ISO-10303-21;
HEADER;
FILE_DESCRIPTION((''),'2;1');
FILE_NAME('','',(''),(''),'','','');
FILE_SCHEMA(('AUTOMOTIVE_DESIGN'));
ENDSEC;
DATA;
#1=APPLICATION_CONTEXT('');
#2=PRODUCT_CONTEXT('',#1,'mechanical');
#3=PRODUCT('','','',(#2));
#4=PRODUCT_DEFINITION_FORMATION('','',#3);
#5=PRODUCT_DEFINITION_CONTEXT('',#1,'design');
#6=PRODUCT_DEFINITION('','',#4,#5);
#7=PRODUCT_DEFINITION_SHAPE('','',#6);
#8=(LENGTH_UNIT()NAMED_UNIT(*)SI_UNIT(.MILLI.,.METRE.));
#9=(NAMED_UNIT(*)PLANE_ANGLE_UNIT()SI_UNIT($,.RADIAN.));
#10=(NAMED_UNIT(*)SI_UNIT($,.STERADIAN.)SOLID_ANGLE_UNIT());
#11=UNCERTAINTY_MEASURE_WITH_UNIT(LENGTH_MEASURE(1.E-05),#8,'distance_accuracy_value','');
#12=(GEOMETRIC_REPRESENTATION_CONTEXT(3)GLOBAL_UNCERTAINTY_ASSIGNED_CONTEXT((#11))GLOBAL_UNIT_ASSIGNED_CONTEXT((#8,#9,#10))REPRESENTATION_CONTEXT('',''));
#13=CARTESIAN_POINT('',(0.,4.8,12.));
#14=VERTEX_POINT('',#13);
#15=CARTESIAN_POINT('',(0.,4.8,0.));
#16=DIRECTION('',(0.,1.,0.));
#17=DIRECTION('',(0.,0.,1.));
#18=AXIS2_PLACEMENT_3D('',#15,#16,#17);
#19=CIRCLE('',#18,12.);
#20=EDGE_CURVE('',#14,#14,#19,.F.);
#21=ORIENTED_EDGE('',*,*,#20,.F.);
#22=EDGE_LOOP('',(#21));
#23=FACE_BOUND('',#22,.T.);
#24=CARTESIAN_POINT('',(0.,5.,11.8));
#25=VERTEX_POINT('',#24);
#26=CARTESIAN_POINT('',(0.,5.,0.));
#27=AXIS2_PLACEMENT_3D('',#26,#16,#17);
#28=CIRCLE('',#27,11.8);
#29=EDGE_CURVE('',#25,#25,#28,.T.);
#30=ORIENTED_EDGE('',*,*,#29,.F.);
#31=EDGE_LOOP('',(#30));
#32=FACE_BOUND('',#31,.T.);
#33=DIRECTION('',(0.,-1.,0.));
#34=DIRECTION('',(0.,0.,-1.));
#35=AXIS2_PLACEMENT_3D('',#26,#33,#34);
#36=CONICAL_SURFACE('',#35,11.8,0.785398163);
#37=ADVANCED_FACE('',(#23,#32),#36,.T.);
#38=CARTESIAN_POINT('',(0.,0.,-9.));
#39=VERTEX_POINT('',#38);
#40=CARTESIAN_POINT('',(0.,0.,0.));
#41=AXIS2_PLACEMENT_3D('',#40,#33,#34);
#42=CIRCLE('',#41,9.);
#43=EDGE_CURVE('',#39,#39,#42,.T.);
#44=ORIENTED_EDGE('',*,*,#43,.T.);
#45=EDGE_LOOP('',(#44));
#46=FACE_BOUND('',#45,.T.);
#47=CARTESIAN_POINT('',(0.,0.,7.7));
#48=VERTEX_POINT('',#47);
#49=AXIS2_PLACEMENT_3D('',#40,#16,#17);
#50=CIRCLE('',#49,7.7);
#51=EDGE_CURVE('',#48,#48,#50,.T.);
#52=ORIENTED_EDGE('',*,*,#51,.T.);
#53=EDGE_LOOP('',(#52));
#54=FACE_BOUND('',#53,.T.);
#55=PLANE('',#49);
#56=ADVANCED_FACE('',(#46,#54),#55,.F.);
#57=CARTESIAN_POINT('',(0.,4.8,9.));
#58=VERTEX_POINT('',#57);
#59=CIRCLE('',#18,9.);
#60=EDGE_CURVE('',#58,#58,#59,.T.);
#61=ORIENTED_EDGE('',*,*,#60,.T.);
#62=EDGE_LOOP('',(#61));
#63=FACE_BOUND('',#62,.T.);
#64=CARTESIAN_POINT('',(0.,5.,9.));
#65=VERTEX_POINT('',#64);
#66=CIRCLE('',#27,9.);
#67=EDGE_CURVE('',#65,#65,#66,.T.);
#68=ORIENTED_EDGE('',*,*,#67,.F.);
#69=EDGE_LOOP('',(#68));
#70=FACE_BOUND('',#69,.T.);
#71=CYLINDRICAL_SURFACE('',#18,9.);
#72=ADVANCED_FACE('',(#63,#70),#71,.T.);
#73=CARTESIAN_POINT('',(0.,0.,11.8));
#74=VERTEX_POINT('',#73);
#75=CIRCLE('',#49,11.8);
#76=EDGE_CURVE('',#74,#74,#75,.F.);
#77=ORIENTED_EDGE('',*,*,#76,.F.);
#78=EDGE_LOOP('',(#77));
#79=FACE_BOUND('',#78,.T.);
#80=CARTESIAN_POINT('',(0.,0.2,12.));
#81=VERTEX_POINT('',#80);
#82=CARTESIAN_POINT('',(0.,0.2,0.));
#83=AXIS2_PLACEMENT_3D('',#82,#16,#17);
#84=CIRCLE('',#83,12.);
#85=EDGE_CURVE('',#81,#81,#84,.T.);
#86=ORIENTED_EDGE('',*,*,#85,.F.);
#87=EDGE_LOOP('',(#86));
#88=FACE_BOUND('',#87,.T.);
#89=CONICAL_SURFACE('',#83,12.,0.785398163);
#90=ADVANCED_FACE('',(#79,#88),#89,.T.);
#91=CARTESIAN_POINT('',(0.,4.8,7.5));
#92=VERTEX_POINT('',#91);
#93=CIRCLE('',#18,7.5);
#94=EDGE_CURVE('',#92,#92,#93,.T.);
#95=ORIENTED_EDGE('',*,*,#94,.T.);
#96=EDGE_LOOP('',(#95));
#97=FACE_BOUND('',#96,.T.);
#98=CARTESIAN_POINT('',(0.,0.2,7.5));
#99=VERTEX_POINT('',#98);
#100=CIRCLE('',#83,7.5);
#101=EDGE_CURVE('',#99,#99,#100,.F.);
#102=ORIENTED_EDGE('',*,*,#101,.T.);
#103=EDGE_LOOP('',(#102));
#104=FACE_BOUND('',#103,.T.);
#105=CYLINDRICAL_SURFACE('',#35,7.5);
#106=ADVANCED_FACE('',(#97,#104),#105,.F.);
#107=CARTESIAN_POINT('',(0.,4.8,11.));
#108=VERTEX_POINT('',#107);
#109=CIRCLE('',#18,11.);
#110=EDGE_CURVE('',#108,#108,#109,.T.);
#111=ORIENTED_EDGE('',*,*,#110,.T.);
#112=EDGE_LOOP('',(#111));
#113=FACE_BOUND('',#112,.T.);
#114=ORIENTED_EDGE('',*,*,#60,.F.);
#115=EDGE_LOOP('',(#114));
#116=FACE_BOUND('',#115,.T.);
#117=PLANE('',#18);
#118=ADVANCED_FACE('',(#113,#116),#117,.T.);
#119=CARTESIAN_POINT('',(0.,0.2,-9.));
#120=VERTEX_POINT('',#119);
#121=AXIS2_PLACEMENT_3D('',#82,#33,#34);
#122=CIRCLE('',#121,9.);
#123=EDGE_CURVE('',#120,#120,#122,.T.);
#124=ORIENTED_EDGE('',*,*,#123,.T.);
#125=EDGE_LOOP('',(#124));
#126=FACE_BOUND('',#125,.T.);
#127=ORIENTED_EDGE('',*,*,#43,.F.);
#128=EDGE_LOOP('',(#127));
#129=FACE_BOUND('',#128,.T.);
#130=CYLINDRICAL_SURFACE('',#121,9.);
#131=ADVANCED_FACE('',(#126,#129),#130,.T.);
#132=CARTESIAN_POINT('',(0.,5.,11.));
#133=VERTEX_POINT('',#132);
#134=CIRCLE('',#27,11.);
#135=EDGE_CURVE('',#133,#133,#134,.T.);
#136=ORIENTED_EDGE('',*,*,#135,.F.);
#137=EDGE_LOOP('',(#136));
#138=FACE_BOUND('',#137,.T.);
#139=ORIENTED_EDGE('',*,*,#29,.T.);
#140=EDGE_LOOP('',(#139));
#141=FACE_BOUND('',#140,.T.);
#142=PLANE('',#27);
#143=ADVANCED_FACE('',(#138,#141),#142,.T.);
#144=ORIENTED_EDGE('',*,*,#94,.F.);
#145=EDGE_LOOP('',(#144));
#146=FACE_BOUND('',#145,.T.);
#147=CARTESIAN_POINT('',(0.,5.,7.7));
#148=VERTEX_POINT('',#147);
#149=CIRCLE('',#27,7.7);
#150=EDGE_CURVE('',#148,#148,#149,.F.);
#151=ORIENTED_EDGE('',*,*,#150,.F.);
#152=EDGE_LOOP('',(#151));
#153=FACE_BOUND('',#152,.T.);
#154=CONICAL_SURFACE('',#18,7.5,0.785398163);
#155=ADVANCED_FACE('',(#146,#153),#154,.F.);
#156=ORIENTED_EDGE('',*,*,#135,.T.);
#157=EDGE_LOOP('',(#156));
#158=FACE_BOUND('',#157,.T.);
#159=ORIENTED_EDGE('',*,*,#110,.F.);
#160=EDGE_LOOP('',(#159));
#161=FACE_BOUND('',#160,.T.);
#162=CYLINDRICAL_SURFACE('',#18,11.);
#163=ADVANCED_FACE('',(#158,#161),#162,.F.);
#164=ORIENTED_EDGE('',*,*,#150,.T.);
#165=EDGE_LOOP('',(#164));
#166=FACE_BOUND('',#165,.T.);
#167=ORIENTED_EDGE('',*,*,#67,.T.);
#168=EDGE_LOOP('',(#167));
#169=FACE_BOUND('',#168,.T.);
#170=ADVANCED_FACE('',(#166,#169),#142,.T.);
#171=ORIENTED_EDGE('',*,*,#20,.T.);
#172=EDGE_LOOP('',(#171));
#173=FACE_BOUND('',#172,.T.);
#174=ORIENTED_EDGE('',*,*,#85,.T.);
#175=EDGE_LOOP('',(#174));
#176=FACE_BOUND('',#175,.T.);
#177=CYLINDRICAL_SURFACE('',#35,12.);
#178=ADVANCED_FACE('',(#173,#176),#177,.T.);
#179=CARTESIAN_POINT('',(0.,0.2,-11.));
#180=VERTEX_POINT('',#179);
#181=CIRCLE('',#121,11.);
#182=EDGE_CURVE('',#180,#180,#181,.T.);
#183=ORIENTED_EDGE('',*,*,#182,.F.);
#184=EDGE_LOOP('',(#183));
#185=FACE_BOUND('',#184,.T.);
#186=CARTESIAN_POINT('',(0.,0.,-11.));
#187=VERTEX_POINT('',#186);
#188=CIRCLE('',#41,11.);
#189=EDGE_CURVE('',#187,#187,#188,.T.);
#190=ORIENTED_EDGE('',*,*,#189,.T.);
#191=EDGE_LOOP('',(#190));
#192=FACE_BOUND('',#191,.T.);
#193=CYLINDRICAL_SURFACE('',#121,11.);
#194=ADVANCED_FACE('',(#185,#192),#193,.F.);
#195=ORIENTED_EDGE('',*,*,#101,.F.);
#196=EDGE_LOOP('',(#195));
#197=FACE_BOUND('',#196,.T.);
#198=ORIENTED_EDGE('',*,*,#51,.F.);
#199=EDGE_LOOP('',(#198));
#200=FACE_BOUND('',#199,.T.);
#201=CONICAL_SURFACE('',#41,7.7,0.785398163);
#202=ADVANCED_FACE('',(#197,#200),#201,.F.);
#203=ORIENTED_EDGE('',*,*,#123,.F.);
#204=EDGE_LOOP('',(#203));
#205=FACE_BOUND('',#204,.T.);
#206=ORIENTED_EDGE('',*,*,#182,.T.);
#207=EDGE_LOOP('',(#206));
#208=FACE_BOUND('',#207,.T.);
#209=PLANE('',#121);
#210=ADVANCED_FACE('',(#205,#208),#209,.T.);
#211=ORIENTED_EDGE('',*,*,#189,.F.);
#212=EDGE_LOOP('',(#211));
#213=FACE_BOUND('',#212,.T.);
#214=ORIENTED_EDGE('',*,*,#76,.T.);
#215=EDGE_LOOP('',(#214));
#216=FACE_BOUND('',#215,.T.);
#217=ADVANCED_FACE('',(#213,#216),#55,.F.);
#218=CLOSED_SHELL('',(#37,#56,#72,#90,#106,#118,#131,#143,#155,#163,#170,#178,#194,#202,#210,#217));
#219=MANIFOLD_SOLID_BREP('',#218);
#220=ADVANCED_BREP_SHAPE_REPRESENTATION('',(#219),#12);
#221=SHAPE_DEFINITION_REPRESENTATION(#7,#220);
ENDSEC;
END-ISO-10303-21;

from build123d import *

# Parameters (mm, degrees)
SKETCH1_R           = 12
SKETCH1_R_2         = 7.5
BOSS_EXTRUDE1_DEPTH = 5
SKETCH2_R           = 11
SKETCH2_R_2         = 9
CUT_EXTRUDE1_DEPTH  = 0.2
CUT_EXTRUDE2_START  = -0.2
SKETCH3_R           = 11
SKETCH3_R_2         = 9
CUT_EXTRUDE2_DEPTH  = 0.2
CHAMFER1_SIZE       = 0.2


with BuildPart() as part:
    # Sketch1 → Boss-Extrude1 (new body)
    with BuildSketch(Plane(origin=(0, 0, 0), x_dir=(1, 0, 0), z_dir=(0, 1, 0))):
        with Locations(Location((0, 0, 0), (0, 0, 270))):
            Circle(SKETCH1_R)
        with Locations(Location((0, 0, 0), (0, 0, 270))):
            Circle(SKETCH1_R_2, mode=Mode.SUBTRACT)
    extrude(amount=BOSS_EXTRUDE1_DEPTH)

    # Sketch2 → Cut-Extrude1 (cut)
    with BuildSketch(Plane(origin=(0, 5, 0), x_dir=(1, 0, 0), z_dir=(0, 1, 0))):
        with Locations(Location((0, 0, 0), (0, 0, 270))):
            Circle(SKETCH2_R)
        with Locations(Location((0, 0, 0), (0, 0, 270))):
            Circle(SKETCH2_R_2, mode=Mode.SUBTRACT)
    extrude(amount=-CUT_EXTRUDE1_DEPTH, mode=Mode.SUBTRACT)

    # Sketch3 → Cut-Extrude2 (cut)
    with BuildSketch(Plane.XZ.offset(CUT_EXTRUDE2_START)):
        with Locations(Location((0, 0, 0), (0, 0, 90))):
            Circle(SKETCH3_R)
        with Locations(Location((0, 0, 0), (0, 0, 90))):
            Circle(SKETCH3_R_2, mode=Mode.SUBTRACT)
    extrude(amount=CUT_EXTRUDE2_DEPTH, mode=Mode.SUBTRACT)

    # Chamfer1
    chamfer1_edges = [part.edges().sort_by_distance(p)[0] for p in [
        (0, 0, -12),
        (0, 5, -12),
        (0, 0, -7.5),
        (0, 5, -7.5),
    ]]
    chamfer(chamfer1_edges, length=CHAMFER1_SIZE)


solid = part.part
